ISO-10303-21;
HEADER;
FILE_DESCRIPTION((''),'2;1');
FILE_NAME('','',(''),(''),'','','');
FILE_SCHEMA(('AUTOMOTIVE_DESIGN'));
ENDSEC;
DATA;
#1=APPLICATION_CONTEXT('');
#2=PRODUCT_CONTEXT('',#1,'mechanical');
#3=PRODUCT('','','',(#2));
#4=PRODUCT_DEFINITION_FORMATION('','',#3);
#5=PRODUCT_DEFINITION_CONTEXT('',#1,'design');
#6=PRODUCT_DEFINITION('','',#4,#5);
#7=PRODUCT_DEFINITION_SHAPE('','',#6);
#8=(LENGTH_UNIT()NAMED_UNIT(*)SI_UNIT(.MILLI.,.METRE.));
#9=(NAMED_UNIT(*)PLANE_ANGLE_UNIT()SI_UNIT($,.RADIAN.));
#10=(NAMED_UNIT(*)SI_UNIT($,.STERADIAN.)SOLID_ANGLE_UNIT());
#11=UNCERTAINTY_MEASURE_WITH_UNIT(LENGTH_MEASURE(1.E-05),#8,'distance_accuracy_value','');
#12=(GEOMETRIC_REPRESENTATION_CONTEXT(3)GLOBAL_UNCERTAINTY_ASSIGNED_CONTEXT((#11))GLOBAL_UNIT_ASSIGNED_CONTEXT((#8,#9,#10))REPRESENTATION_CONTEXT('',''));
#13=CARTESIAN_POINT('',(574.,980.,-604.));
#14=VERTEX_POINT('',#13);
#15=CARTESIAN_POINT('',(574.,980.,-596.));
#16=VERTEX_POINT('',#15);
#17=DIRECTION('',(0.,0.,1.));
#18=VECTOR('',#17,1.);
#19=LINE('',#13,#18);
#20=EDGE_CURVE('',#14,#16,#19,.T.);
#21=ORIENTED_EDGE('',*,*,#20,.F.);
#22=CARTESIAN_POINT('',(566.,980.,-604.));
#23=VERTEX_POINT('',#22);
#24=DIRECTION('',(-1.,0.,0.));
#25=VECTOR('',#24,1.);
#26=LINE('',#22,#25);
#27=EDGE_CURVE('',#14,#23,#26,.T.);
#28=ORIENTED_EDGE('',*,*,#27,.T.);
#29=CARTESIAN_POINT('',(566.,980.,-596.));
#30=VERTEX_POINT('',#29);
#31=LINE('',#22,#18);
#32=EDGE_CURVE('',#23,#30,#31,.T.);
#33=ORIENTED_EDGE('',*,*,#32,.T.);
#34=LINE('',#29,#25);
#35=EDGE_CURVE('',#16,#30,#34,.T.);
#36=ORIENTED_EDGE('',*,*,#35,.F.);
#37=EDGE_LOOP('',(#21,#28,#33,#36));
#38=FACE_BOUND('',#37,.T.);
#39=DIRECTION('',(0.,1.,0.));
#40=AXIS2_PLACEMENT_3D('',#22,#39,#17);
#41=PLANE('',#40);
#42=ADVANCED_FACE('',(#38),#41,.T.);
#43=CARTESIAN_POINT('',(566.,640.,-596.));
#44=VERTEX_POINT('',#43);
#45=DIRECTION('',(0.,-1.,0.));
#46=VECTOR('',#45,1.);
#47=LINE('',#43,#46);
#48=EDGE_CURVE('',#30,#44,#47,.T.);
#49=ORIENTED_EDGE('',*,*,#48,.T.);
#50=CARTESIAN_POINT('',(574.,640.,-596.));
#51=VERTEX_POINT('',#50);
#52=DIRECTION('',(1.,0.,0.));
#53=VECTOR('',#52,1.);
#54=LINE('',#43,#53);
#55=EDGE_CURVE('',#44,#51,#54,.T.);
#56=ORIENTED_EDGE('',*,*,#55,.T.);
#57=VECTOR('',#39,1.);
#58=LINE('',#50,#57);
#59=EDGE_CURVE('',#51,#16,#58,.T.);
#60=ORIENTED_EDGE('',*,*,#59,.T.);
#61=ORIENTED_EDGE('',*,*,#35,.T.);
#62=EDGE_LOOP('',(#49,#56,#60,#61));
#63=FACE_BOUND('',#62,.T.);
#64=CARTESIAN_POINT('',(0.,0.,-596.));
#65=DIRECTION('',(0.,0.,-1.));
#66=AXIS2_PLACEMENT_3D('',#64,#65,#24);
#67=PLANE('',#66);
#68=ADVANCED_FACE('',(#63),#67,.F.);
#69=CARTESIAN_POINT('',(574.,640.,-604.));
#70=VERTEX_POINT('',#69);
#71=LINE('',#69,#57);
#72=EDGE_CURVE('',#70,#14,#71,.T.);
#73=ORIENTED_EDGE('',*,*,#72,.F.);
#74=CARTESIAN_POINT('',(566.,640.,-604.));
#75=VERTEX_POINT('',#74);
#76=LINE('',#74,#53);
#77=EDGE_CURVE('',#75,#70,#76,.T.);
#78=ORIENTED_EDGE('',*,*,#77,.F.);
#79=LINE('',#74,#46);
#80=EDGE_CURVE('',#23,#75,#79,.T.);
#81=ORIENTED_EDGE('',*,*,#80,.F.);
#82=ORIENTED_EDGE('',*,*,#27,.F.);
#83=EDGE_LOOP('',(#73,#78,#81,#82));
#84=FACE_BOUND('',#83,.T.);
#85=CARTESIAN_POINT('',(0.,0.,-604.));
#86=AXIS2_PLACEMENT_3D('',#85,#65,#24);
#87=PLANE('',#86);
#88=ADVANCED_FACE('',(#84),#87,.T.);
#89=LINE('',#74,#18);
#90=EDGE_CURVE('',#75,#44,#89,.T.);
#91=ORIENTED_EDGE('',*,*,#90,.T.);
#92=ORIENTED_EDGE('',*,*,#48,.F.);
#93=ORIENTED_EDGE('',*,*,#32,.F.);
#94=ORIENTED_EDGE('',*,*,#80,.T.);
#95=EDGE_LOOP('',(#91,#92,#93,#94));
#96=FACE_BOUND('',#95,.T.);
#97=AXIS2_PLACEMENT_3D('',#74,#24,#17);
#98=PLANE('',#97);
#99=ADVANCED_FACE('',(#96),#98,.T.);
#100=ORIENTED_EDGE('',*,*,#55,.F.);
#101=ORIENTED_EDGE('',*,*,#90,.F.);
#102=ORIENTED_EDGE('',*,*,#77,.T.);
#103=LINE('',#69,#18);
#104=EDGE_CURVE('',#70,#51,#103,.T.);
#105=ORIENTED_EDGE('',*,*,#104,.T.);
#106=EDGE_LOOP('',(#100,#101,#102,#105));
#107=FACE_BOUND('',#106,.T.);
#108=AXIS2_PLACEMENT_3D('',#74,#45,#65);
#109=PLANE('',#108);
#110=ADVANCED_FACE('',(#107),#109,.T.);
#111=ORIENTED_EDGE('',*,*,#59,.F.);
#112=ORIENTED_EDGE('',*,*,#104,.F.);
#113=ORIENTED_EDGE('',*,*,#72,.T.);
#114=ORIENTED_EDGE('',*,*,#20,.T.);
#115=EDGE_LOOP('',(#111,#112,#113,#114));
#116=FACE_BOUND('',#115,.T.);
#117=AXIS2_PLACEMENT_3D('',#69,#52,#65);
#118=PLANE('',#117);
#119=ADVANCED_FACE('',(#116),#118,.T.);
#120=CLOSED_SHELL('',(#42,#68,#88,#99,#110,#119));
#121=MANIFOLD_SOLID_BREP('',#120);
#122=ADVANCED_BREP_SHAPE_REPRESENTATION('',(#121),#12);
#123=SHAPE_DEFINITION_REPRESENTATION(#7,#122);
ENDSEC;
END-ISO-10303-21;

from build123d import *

# Parameters (mm, degrees)
PACK_KAPAK_KOLU_DIKEY_2_1_START = -596
SKETCH1_W                       = 8
SKETCH1_H                       = 340
PACK_KAPAK_KOLU_DIKEY_2_1_DEPTH = 8


with BuildPart() as part:
    # Sketch1 → PACK_kapak_kolu_dikey_2_1 (new body)
    with BuildSketch(Plane.XY.offset(PACK_KAPAK_KOLU_DIKEY_2_1_START)):
        with Locations((570, 810)):
            Rectangle(SKETCH1_W, SKETCH1_H)
    extrude(amount=-PACK_KAPAK_KOLU_DIKEY_2_1_DEPTH)


solid = part.part
